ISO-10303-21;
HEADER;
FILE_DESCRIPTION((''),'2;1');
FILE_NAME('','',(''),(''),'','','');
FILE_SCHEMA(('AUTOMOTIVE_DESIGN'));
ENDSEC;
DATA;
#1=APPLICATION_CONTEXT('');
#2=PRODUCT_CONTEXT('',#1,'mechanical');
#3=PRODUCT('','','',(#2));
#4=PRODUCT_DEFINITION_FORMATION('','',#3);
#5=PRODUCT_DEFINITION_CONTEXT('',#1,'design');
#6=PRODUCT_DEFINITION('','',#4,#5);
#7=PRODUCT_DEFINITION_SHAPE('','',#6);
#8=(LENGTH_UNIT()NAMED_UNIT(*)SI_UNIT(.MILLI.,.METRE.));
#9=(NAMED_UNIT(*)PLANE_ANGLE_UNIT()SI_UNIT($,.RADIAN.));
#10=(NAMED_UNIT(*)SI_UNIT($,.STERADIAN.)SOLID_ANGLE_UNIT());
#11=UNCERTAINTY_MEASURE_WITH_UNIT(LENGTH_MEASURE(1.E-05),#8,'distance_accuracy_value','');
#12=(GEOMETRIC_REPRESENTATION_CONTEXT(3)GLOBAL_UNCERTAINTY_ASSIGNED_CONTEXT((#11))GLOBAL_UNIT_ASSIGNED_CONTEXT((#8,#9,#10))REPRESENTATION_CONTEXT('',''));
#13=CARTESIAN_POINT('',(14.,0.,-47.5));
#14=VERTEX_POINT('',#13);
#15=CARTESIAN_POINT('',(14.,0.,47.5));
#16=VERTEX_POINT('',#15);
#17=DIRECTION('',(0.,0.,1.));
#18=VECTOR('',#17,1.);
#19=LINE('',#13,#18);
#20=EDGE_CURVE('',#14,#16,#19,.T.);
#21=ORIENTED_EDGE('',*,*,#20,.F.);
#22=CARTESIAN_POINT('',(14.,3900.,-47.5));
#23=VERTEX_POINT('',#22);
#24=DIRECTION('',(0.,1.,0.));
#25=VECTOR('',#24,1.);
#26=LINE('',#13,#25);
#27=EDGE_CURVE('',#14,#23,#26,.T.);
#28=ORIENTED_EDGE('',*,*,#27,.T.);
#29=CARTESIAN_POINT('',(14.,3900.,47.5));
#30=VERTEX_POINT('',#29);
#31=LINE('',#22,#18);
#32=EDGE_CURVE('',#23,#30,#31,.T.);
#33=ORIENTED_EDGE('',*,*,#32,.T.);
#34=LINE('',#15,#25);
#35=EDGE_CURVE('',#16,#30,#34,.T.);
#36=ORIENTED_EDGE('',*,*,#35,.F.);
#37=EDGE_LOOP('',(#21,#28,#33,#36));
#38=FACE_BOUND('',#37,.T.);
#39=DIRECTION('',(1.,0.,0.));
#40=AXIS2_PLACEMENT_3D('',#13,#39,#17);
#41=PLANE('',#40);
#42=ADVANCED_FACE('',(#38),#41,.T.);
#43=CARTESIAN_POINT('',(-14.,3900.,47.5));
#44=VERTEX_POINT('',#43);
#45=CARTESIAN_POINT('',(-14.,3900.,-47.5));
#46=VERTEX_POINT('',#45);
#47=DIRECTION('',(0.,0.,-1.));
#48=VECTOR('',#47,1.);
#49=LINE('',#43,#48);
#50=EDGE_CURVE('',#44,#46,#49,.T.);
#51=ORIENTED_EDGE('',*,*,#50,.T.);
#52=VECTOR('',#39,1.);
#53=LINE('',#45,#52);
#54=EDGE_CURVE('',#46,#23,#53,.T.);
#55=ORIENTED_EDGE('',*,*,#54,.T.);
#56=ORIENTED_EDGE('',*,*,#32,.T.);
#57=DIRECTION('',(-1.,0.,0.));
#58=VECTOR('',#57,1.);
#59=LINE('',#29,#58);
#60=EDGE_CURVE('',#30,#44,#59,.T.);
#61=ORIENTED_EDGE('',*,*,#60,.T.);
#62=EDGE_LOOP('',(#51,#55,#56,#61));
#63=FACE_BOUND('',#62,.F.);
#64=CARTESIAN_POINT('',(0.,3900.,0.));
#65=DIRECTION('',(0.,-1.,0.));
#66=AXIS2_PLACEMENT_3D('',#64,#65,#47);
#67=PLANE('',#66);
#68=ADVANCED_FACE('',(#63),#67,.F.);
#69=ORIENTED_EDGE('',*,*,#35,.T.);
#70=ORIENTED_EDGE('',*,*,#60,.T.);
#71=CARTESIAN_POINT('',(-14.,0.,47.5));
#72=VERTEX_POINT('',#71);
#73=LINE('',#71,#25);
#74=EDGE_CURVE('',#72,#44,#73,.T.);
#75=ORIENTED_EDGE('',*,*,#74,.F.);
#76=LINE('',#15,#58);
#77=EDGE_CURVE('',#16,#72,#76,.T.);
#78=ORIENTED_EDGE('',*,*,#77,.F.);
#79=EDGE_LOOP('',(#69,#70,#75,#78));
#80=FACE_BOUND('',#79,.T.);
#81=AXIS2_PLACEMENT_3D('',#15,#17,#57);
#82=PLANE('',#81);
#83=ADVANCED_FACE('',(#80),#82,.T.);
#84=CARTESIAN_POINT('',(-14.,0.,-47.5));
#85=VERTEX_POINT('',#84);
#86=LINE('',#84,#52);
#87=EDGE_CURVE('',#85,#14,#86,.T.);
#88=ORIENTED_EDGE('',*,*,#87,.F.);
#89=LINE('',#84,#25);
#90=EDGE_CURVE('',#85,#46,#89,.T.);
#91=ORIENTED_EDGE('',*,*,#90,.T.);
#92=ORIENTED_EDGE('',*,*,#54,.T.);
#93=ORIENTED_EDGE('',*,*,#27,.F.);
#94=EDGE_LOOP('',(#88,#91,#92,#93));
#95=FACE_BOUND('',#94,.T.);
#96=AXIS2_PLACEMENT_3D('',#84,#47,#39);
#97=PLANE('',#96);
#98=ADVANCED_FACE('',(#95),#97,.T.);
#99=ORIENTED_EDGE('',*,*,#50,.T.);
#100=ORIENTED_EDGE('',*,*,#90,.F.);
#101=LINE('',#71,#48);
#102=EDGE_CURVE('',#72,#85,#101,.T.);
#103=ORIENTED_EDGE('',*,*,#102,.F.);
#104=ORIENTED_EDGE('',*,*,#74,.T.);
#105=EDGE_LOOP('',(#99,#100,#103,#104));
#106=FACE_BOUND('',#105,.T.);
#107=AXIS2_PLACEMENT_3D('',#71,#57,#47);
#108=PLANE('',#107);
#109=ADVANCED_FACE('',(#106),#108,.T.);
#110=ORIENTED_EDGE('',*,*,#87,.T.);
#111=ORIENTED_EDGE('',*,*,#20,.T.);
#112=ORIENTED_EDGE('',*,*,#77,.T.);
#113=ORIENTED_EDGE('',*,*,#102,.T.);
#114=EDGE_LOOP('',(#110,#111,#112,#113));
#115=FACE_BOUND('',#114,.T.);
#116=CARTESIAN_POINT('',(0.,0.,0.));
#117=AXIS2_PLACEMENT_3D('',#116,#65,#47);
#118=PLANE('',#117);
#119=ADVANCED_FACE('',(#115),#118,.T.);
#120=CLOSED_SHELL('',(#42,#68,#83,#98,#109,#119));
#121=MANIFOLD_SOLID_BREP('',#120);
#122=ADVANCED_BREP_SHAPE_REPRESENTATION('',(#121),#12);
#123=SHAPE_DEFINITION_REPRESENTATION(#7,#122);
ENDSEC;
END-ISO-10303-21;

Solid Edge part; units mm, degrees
sketch "Sketch1" plane through (0, 0, 0) normal (0, -1, 0) x (1, 0, 0)
  line L0 (-14, -47.5) -> (14, -47.5)
  line L1 (14, -47.5) -> (14, 47.5)
  line L2 (14, 47.5) -> (-14, 47.5)
  line L3 (-14, 47.5) -> (-14, -47.5)
extrude "Protrusion1" add sketch "Sketch1" against normal blind 3900
